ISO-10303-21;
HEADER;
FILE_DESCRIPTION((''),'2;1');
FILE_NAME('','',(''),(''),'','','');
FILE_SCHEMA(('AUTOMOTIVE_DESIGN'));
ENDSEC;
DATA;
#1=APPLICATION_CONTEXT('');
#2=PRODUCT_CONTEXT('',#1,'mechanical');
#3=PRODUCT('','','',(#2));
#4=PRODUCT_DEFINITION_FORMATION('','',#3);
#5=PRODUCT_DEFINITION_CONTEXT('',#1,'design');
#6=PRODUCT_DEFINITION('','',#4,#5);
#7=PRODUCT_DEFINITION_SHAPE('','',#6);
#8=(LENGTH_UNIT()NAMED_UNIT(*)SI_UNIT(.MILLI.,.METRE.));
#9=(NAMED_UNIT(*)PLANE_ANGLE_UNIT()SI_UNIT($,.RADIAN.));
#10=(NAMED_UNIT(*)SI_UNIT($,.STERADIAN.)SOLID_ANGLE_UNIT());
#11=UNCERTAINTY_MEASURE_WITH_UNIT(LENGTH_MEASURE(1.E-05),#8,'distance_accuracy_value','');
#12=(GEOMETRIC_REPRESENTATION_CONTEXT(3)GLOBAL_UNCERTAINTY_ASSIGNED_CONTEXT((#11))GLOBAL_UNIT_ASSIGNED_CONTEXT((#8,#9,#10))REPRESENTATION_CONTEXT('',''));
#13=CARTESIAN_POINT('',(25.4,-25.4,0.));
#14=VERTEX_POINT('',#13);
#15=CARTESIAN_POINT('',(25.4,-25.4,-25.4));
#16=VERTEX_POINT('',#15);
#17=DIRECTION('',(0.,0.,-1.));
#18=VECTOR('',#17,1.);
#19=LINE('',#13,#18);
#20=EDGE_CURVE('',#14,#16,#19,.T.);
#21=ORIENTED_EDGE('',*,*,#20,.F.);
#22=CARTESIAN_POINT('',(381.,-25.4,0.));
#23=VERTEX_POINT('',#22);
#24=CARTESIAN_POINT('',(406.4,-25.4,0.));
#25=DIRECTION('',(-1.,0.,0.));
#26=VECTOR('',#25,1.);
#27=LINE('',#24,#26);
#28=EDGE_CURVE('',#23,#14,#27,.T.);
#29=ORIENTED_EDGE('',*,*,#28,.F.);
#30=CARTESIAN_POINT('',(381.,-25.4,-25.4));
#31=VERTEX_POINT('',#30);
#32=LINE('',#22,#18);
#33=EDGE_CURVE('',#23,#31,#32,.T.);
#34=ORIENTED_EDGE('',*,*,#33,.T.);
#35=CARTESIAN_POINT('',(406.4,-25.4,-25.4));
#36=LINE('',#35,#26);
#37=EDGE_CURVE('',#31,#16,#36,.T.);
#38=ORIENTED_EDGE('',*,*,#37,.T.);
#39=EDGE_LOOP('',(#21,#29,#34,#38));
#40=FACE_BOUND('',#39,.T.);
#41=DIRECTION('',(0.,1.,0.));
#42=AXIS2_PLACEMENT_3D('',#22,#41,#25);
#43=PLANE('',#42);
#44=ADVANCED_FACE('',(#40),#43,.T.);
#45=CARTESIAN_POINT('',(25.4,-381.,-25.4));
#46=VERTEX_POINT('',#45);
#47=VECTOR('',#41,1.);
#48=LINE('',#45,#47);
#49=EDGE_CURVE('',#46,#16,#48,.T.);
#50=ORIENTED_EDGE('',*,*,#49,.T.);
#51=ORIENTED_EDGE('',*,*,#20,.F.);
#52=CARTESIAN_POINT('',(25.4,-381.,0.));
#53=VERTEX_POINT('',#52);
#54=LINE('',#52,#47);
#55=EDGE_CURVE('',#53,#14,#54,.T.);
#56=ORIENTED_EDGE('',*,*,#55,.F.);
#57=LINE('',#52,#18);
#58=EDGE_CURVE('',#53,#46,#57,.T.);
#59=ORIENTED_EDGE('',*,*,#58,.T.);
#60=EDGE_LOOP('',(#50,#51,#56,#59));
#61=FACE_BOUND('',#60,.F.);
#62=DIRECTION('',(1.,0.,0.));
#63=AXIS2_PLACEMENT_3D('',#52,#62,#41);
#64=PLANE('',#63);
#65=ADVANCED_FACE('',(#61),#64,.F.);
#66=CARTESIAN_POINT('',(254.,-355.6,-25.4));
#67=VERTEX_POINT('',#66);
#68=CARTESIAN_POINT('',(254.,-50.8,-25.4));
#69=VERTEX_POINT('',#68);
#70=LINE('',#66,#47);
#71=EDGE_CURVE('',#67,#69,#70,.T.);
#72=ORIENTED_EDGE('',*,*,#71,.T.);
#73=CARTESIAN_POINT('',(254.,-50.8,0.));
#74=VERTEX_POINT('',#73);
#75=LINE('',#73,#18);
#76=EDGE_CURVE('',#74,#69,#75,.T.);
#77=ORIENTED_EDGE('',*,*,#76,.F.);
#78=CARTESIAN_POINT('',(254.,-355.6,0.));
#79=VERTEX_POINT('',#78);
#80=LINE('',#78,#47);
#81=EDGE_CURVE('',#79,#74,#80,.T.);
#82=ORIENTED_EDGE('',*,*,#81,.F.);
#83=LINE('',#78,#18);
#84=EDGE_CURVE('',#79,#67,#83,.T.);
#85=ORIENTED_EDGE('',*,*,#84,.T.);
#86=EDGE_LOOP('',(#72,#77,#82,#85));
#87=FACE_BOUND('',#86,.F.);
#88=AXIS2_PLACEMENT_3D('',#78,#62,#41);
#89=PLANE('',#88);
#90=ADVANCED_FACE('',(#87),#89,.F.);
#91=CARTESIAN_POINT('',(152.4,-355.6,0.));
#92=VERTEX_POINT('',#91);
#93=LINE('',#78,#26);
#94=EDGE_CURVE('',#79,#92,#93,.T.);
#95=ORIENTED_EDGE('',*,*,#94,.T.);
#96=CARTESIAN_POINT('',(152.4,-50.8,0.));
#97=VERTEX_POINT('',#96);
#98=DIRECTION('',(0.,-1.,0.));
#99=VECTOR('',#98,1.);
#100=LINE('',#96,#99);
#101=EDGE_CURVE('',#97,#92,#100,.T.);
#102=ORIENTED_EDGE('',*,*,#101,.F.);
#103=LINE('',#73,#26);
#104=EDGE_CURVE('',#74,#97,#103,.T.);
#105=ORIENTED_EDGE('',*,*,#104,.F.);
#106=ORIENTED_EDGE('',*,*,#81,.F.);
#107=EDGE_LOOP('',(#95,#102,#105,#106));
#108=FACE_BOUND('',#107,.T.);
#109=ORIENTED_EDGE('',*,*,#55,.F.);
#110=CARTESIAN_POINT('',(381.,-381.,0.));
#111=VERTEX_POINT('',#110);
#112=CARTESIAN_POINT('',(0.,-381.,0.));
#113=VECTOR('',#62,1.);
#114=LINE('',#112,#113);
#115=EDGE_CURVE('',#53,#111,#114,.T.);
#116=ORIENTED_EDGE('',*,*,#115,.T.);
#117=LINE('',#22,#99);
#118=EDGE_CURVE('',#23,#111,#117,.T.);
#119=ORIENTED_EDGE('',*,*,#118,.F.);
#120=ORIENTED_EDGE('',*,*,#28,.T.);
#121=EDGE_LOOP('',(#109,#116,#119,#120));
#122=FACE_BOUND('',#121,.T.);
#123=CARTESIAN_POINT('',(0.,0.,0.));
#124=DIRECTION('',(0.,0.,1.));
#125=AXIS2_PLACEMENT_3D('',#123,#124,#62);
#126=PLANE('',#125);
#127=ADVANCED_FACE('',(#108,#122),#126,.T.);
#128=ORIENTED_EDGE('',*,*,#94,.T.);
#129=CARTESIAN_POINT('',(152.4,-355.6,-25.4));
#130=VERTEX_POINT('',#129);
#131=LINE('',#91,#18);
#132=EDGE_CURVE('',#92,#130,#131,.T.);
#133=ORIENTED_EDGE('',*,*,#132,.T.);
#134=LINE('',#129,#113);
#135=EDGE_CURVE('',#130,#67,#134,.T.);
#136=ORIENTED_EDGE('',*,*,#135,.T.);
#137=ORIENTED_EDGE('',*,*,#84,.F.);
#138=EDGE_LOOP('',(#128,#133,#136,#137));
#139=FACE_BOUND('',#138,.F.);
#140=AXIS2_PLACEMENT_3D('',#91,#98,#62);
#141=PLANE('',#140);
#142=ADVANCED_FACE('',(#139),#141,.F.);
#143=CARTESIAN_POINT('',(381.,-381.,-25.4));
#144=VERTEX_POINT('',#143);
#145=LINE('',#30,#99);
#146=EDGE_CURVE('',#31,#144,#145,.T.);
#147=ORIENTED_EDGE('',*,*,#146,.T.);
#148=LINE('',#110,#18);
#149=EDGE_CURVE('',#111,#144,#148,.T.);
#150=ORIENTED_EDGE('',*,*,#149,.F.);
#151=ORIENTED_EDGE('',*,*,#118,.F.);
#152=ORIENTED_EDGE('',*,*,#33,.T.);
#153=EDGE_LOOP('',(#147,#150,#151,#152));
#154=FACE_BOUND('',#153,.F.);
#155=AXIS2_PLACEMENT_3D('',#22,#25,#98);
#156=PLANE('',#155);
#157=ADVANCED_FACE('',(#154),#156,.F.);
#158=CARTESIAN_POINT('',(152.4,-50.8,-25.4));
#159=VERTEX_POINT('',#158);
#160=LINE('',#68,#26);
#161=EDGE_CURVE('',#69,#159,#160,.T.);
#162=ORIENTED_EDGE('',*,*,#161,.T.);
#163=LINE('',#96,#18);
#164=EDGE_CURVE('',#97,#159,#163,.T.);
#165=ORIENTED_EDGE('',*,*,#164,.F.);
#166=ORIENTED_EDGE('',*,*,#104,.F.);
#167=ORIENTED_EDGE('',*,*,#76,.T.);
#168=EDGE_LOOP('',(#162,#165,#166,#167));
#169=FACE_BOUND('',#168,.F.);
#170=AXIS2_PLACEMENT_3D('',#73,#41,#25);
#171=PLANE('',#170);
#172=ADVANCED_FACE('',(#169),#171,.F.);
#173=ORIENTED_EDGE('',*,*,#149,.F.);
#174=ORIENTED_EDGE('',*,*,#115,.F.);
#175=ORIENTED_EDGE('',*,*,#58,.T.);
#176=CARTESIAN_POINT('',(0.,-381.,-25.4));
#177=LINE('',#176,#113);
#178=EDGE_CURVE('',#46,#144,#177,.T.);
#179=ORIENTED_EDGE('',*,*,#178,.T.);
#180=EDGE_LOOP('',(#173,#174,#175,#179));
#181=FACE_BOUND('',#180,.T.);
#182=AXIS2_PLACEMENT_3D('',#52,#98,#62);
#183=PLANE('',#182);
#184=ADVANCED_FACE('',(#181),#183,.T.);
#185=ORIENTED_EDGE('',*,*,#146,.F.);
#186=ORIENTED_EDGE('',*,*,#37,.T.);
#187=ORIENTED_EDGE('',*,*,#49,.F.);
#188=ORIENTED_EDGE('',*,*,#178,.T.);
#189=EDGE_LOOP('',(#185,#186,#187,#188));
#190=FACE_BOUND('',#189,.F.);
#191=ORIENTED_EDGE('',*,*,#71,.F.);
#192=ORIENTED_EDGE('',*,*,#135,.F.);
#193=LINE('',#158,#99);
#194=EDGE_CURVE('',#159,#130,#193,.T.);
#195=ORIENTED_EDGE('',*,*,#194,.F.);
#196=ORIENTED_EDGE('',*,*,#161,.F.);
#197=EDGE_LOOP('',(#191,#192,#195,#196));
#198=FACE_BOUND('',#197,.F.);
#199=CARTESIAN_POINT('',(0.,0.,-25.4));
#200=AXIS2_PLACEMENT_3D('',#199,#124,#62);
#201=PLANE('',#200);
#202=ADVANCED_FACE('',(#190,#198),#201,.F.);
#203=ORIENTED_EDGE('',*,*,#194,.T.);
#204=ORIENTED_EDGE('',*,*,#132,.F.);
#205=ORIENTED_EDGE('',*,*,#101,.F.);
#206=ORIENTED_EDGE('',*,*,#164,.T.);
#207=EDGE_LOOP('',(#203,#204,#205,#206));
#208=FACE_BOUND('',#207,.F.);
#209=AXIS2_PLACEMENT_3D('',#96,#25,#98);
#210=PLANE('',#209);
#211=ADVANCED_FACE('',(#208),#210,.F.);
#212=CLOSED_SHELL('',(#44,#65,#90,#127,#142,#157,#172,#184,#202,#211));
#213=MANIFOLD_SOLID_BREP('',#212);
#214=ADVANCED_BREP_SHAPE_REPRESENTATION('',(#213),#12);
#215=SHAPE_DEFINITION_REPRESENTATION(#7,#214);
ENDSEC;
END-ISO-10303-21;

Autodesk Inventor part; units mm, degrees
ref_plane "YZ Plane" through (0, 0, 0) normal (1, 0, 0) x (0, 1, 0)
ref_plane "XZ Plane" through (0, 0, 0) normal (0, 1, 0) x (-1, 0, 0)
ref_plane "XY Plane" through (0, 0, 0) normal (0, 0, 1) x (1, 0, 0)
sketch "Sketch1" plane through (0, 0, 0) normal (0, 0, 1) x (1, 0, 0)
  line L0 (0, 0) -> (812.8, 0) construction
  line L1 (812.8, 0) -> (812.8, -406.4) construction
  line L2 (812.8, -406.4) -> (0, -406.4) construction
  line L3 (0, -406.4) -> (0, 0) construction
  line L4 (0, 0) -> (406.4, 0)
  line L5 (406.4, 0) -> (406.4, -25.4)
  line L6 (406.4, -25.4) -> (0, -25.4)
  line L7 (0, -25.4) -> (0, 0)
  line L8 (406.4, -25.4) -> (381, -25.4)
  line L9 (381, -25.4) -> (381, -406.4)
  line L10 (381, -406.4) -> (406.4, -406.4)
  line L11 (406.4, -406.4) -> (406.4, -25.4)
  line L12 (381, -406.4) -> (0, -406.4)
  line L13 (0, -406.4) -> (0, -381)
  line L14 (0, -381) -> (381, -381)
  line L15 (381, -381) -> (381, -406.4)
  line L16 (0, -381) -> (25.4, -381)
  line L17 (25.4, -381) -> (25.4, -25.4)
  line L18 (25.4, -25.4) -> (0, -25.4)
  line L19 (0, -25.4) -> (0, -381)
  dimension "d1" = 812.8
  dimension "d5" = 406.4
  dimension "d6" = 25.4
  dimension "d7" = 25.4
  dimension "d8" = 381
  dimension "d9" = 381
  dimension "d10" = 25.4
  dimension "d11" = 25.4
extrude "Extrusion1" add sketch "Sketch1" against normal blind 25.4 contours L6 L9 L14 L17
sketch "Sketch3" plane through (0, 0, 0) normal (0, 0, 1) x (1, 0, 0)
  line L0 (-406.4, 0) -> (406.4, 0) construction
  line L1 (406.4, 0) -> (406.4, -406.4) construction
  line L2 (406.4, -406.4) -> (-406.4, -406.4) construction
  line L3 (-406.4, -406.4) -> (-406.4, 0) construction
  line L4 (406.4, 0) -> (406.4, -406.4)
  line L5 (381, -381) -> (25.4, -381) projected
  line L6 (203.2, -381) -> (203.2, -355.6)
  line L7 (203.2, -355.6) -> (254, -355.6)
  line L8 (254, -355.6) -> (254, -50.8)
  line L9 (254, -50.8) -> (152.4, -50.8)
  line L10 (152.4, -50.8) -> (152.4, -355.6)
  line L11 (152.4, -355.6) -> (203.2, -355.6)
  point P0 (0, 0)
  dimension "d36" = 812.8
  dimension "d45" = 25.4
  dimension "d46" = 50.8
  dimension "d47" = 304.8
  dimension "d48" = 101.6
extrude "Extrusion3" cut sketch "Sketch3" against normal blind 25.4
properties part number "JukeBox Top Panel SQ"
